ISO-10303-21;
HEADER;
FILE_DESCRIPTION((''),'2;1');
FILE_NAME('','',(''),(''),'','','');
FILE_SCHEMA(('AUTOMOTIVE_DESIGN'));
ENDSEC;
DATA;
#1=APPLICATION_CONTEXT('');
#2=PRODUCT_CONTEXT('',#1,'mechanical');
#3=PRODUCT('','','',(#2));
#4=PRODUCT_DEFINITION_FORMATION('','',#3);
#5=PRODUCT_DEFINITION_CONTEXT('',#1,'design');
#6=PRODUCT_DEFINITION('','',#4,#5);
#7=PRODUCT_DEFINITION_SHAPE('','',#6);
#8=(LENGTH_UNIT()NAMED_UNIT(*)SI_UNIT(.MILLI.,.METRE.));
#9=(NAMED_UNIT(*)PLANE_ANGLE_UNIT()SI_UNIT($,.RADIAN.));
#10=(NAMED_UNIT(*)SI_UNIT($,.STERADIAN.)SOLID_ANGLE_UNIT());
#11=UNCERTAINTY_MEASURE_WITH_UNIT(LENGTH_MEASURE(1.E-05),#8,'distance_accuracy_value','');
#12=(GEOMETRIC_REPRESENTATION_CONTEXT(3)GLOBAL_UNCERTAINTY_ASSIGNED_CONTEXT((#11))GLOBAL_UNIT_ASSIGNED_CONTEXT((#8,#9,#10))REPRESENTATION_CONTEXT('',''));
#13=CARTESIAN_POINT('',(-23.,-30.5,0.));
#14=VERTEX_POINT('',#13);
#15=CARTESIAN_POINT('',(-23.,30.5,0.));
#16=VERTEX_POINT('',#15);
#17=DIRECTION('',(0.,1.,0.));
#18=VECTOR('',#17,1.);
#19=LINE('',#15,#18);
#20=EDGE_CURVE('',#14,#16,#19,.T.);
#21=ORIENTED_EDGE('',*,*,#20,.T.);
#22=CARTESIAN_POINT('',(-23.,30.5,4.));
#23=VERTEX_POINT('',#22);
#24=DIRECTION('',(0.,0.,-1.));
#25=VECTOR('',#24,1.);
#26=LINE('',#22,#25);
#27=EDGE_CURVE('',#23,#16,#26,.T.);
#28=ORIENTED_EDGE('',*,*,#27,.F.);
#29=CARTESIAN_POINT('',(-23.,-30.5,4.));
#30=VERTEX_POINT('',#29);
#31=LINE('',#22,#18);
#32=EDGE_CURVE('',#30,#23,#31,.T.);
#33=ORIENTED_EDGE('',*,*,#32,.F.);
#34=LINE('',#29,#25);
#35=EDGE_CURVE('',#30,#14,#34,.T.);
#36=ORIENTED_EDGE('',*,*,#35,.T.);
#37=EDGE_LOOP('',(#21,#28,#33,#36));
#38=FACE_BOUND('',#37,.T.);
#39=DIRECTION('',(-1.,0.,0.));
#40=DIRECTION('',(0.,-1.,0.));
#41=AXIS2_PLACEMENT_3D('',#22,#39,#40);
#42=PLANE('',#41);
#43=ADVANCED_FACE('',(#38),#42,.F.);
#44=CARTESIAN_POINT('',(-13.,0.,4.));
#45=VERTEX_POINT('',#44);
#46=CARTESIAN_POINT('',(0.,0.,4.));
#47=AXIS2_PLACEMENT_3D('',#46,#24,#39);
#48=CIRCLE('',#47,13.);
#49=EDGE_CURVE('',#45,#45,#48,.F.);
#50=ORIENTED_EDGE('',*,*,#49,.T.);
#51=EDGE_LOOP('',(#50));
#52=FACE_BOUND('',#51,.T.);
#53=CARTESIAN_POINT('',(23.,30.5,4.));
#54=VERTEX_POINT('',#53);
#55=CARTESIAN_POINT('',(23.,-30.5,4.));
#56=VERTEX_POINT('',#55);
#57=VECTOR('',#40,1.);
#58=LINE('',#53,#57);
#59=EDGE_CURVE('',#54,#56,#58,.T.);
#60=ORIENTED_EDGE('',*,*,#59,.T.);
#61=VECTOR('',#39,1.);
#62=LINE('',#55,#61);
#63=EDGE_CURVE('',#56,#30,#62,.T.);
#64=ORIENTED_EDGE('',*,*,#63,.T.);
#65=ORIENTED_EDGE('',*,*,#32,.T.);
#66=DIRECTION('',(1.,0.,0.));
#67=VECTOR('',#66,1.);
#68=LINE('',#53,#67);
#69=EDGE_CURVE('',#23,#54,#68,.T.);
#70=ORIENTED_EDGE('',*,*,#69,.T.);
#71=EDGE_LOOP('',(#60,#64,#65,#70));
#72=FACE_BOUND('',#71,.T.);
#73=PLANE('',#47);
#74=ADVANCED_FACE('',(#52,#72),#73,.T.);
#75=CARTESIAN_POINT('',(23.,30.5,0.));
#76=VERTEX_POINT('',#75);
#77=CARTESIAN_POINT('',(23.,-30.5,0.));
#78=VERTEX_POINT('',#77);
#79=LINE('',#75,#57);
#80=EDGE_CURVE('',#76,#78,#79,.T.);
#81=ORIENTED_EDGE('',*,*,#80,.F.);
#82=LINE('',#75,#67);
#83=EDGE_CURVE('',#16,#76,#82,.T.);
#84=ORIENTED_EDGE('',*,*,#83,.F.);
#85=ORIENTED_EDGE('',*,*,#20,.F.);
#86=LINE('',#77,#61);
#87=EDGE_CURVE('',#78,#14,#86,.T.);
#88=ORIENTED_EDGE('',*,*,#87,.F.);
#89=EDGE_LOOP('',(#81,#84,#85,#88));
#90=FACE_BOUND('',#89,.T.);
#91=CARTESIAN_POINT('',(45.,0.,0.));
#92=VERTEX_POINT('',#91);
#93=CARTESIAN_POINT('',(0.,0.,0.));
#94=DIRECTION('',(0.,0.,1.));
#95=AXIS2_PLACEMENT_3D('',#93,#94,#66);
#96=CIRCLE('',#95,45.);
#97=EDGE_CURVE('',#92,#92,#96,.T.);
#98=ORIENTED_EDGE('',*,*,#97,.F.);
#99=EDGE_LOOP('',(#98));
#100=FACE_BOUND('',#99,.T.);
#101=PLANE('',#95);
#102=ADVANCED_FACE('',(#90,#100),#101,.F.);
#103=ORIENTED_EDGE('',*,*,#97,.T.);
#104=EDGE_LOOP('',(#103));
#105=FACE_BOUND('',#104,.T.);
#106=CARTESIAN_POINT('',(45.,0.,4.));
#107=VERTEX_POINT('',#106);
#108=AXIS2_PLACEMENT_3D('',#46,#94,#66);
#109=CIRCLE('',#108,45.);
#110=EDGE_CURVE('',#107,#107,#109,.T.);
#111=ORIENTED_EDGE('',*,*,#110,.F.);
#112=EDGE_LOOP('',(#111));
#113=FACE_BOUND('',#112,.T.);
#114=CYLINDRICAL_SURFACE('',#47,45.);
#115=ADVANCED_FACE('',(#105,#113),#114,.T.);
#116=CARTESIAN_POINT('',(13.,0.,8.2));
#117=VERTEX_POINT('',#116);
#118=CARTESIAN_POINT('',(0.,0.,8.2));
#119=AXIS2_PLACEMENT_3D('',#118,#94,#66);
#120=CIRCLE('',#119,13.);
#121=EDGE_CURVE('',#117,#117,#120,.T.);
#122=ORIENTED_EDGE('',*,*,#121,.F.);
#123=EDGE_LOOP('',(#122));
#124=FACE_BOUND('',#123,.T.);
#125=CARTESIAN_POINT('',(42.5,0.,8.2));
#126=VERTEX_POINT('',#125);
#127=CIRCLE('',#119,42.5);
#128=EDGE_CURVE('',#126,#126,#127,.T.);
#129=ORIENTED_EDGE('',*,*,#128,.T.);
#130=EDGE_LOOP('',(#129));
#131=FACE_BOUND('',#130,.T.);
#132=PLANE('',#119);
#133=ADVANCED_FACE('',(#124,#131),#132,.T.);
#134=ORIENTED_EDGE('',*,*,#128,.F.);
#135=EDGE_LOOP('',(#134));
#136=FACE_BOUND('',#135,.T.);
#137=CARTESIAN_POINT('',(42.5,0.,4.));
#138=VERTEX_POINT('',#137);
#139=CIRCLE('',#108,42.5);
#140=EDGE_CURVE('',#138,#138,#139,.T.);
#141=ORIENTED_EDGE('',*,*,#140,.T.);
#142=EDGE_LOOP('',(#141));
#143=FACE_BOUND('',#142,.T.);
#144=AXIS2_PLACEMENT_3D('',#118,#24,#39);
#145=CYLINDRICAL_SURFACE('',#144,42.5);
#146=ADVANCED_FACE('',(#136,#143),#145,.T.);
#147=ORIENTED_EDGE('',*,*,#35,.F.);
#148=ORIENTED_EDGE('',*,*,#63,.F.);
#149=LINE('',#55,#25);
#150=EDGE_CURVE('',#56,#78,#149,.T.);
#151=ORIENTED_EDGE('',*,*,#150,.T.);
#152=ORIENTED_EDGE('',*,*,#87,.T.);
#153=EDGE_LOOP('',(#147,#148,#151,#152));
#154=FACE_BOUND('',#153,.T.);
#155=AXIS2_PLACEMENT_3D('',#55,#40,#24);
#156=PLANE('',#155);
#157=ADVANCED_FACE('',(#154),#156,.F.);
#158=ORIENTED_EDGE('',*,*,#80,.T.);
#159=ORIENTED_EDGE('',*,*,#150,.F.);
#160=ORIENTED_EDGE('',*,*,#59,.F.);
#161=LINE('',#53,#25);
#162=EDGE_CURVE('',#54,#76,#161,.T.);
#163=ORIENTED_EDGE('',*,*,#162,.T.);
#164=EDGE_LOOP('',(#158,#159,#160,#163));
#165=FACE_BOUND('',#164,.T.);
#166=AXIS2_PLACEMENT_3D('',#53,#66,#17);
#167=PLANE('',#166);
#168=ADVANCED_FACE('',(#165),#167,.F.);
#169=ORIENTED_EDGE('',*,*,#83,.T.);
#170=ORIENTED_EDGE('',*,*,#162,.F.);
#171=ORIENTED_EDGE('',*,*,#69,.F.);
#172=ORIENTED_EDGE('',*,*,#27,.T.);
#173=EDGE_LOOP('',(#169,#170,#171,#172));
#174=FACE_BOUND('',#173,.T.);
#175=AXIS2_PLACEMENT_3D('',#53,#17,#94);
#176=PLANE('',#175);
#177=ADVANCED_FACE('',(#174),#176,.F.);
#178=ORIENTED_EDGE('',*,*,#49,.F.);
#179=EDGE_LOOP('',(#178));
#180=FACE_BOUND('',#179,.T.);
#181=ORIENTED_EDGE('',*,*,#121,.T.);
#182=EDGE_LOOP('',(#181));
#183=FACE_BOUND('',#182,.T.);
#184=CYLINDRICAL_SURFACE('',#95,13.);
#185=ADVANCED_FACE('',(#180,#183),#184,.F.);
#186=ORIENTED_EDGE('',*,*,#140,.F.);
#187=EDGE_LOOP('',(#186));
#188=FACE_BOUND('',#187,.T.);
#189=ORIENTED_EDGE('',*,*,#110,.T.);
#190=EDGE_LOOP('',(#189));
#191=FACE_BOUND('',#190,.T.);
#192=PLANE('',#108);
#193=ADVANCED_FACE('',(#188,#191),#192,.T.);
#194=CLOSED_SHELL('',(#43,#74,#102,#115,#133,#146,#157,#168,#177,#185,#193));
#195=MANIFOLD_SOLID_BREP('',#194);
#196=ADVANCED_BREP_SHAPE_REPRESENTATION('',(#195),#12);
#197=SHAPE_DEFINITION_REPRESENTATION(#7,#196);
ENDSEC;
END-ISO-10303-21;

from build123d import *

# Parameters (mm, degrees)
SKETCH1_R           = 45
BOSS_EXTRUDE1_DEPTH = 4
SKETCH2_R           = 42.5
BOSS_EXTRUDE2_DEPTH = 4.2
SKETCH4_R           = 13
CUT_EXTRUDE1_DEPTH  = 65.165722937
SKETCH5_W           = 46
SKETCH5_H           = 61
CUT_EXTRUDE2_DEPTH  = 4


with BuildPart() as part:
    # Sketch1 → Boss-Extrude1 (new body)
    with BuildSketch(Plane.XY):
        Circle(SKETCH1_R)
    extrude(amount=BOSS_EXTRUDE1_DEPTH)

    # Sketch2 → Boss-Extrude2 (add)
    with BuildSketch(Plane.XY.offset(4)):
        Circle(SKETCH2_R)
    extrude(amount=BOSS_EXTRUDE2_DEPTH)

    # Sketch4 → Cut-Extrude1 (cut, through all)
    with BuildSketch(Plane.XY.offset(8.2)):
        Circle(SKETCH4_R)
    extrude(amount=-CUT_EXTRUDE1_DEPTH, mode=Mode.SUBTRACT)

    # Sketch5 → Cut-Extrude2 (cut)
    with BuildSketch(Plane(origin=(0, 0, 0), x_dir=(-1, 0, 0), z_dir=(0, 0, -1))):
        Rectangle(SKETCH5_W, SKETCH5_H)
    extrude(amount=-CUT_EXTRUDE2_DEPTH, mode=Mode.SUBTRACT)


solid = part.part
